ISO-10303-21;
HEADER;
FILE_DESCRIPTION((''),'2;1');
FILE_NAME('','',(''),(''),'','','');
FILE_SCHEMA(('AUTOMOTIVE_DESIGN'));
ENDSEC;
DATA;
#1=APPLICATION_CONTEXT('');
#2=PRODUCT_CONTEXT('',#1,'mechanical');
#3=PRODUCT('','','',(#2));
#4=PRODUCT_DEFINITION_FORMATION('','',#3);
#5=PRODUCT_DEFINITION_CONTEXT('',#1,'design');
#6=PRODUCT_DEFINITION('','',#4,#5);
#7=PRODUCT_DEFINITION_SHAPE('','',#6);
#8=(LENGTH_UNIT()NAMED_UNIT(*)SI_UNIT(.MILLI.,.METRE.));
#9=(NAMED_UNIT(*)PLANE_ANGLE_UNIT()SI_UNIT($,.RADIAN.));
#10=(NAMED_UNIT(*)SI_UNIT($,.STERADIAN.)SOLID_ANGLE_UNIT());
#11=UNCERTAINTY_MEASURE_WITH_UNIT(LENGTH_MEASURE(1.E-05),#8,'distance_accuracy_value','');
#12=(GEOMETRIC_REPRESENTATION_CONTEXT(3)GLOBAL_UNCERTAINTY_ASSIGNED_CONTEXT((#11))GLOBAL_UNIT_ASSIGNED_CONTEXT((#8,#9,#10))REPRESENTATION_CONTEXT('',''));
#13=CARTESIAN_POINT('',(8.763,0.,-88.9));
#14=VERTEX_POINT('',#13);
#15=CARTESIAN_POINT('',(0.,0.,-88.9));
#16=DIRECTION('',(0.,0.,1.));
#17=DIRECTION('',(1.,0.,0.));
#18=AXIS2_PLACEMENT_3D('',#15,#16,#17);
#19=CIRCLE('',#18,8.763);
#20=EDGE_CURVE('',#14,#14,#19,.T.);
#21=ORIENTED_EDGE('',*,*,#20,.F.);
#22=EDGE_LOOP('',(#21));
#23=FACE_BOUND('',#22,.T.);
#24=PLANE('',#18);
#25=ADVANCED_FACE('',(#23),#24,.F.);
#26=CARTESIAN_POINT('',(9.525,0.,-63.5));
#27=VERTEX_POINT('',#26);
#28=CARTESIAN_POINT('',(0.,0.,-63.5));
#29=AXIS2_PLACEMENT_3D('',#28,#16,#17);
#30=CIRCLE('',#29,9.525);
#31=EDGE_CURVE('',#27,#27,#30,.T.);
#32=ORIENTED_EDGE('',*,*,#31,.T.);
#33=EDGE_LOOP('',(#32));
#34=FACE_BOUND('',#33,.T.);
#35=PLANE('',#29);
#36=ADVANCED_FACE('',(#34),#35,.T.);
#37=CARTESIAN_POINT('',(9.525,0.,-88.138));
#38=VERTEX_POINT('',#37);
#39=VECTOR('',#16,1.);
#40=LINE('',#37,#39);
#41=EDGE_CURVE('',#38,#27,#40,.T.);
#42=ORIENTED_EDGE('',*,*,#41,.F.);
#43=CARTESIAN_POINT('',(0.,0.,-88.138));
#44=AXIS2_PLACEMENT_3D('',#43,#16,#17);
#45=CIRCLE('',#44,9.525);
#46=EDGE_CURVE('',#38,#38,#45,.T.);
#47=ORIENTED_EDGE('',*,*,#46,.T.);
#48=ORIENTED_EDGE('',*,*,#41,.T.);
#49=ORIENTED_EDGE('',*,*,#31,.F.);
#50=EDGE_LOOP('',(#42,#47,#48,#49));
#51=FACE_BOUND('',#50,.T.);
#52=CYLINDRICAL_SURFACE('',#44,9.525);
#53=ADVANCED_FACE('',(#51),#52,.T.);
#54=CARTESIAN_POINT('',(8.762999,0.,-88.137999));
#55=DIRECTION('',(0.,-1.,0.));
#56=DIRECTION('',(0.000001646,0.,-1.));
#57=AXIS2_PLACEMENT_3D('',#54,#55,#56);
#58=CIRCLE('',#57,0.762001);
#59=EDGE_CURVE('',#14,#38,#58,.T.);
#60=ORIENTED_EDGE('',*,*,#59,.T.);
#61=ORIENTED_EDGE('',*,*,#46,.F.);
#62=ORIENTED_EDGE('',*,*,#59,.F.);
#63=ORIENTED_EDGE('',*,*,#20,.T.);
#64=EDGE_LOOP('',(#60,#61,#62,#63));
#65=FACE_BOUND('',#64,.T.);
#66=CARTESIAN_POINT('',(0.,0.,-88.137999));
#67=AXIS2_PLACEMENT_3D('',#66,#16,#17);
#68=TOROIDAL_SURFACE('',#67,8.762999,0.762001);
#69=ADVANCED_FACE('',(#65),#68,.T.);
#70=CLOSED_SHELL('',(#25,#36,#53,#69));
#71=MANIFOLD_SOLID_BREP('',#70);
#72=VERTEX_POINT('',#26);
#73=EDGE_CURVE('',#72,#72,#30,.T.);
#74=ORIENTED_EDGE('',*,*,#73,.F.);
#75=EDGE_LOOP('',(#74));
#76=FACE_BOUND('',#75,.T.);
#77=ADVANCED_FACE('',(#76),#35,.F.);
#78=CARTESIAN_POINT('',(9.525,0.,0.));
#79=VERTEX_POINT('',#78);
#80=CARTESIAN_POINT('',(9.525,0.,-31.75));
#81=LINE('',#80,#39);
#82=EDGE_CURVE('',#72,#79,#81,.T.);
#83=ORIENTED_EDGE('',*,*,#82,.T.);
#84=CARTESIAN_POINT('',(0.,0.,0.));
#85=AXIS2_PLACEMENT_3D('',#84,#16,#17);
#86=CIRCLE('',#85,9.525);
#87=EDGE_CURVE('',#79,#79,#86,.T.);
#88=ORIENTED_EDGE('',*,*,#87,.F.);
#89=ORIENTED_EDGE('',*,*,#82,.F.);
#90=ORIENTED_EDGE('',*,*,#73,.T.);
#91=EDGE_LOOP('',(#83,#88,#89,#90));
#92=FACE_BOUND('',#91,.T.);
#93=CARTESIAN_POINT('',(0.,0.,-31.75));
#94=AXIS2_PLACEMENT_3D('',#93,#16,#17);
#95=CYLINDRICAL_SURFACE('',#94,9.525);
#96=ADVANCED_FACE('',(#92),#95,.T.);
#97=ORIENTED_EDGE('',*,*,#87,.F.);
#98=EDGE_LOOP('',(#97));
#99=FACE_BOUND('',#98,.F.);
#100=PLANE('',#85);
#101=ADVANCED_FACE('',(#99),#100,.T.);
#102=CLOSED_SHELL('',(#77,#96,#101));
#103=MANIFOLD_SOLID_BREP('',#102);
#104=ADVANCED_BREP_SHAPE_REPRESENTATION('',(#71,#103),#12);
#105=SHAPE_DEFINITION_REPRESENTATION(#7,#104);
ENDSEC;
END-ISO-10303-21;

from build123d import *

# Parameters (mm, degrees)
F0_W = 9.525
F0_H = 63.5


with BuildPart() as f1:
    # F0 (on Front) → F1 (revolve)
    with BuildSketch(Plane.XZ):
        with Locations((4.7625, -31.75)):
            Rectangle(F0_W, F0_H)
    revolve(axis=Axis((0, 0, -44.45), (0, 0, 1)))


with BuildPart() as f2:
    # F0 (on Front) → F2 (revolve)
    with BuildSketch(Plane.XZ):
        with BuildLine():
            Line((9.525, -63.5), (0, -63.5))
            Line((0, -63.5), (0, -88.9))
            Line((0, -88.9), (8.763, -88.9))
            ThreePointArc((8.763, -88.9), (9.301815, -88.676815), (9.525, -88.138))
            Line((9.525, -88.138), (9.525, -63.5))
        make_face()
    revolve(axis=Axis((0, 0, -44.45), (0, 0, 1)))


solid = Compound([f1.part, f2.part])
